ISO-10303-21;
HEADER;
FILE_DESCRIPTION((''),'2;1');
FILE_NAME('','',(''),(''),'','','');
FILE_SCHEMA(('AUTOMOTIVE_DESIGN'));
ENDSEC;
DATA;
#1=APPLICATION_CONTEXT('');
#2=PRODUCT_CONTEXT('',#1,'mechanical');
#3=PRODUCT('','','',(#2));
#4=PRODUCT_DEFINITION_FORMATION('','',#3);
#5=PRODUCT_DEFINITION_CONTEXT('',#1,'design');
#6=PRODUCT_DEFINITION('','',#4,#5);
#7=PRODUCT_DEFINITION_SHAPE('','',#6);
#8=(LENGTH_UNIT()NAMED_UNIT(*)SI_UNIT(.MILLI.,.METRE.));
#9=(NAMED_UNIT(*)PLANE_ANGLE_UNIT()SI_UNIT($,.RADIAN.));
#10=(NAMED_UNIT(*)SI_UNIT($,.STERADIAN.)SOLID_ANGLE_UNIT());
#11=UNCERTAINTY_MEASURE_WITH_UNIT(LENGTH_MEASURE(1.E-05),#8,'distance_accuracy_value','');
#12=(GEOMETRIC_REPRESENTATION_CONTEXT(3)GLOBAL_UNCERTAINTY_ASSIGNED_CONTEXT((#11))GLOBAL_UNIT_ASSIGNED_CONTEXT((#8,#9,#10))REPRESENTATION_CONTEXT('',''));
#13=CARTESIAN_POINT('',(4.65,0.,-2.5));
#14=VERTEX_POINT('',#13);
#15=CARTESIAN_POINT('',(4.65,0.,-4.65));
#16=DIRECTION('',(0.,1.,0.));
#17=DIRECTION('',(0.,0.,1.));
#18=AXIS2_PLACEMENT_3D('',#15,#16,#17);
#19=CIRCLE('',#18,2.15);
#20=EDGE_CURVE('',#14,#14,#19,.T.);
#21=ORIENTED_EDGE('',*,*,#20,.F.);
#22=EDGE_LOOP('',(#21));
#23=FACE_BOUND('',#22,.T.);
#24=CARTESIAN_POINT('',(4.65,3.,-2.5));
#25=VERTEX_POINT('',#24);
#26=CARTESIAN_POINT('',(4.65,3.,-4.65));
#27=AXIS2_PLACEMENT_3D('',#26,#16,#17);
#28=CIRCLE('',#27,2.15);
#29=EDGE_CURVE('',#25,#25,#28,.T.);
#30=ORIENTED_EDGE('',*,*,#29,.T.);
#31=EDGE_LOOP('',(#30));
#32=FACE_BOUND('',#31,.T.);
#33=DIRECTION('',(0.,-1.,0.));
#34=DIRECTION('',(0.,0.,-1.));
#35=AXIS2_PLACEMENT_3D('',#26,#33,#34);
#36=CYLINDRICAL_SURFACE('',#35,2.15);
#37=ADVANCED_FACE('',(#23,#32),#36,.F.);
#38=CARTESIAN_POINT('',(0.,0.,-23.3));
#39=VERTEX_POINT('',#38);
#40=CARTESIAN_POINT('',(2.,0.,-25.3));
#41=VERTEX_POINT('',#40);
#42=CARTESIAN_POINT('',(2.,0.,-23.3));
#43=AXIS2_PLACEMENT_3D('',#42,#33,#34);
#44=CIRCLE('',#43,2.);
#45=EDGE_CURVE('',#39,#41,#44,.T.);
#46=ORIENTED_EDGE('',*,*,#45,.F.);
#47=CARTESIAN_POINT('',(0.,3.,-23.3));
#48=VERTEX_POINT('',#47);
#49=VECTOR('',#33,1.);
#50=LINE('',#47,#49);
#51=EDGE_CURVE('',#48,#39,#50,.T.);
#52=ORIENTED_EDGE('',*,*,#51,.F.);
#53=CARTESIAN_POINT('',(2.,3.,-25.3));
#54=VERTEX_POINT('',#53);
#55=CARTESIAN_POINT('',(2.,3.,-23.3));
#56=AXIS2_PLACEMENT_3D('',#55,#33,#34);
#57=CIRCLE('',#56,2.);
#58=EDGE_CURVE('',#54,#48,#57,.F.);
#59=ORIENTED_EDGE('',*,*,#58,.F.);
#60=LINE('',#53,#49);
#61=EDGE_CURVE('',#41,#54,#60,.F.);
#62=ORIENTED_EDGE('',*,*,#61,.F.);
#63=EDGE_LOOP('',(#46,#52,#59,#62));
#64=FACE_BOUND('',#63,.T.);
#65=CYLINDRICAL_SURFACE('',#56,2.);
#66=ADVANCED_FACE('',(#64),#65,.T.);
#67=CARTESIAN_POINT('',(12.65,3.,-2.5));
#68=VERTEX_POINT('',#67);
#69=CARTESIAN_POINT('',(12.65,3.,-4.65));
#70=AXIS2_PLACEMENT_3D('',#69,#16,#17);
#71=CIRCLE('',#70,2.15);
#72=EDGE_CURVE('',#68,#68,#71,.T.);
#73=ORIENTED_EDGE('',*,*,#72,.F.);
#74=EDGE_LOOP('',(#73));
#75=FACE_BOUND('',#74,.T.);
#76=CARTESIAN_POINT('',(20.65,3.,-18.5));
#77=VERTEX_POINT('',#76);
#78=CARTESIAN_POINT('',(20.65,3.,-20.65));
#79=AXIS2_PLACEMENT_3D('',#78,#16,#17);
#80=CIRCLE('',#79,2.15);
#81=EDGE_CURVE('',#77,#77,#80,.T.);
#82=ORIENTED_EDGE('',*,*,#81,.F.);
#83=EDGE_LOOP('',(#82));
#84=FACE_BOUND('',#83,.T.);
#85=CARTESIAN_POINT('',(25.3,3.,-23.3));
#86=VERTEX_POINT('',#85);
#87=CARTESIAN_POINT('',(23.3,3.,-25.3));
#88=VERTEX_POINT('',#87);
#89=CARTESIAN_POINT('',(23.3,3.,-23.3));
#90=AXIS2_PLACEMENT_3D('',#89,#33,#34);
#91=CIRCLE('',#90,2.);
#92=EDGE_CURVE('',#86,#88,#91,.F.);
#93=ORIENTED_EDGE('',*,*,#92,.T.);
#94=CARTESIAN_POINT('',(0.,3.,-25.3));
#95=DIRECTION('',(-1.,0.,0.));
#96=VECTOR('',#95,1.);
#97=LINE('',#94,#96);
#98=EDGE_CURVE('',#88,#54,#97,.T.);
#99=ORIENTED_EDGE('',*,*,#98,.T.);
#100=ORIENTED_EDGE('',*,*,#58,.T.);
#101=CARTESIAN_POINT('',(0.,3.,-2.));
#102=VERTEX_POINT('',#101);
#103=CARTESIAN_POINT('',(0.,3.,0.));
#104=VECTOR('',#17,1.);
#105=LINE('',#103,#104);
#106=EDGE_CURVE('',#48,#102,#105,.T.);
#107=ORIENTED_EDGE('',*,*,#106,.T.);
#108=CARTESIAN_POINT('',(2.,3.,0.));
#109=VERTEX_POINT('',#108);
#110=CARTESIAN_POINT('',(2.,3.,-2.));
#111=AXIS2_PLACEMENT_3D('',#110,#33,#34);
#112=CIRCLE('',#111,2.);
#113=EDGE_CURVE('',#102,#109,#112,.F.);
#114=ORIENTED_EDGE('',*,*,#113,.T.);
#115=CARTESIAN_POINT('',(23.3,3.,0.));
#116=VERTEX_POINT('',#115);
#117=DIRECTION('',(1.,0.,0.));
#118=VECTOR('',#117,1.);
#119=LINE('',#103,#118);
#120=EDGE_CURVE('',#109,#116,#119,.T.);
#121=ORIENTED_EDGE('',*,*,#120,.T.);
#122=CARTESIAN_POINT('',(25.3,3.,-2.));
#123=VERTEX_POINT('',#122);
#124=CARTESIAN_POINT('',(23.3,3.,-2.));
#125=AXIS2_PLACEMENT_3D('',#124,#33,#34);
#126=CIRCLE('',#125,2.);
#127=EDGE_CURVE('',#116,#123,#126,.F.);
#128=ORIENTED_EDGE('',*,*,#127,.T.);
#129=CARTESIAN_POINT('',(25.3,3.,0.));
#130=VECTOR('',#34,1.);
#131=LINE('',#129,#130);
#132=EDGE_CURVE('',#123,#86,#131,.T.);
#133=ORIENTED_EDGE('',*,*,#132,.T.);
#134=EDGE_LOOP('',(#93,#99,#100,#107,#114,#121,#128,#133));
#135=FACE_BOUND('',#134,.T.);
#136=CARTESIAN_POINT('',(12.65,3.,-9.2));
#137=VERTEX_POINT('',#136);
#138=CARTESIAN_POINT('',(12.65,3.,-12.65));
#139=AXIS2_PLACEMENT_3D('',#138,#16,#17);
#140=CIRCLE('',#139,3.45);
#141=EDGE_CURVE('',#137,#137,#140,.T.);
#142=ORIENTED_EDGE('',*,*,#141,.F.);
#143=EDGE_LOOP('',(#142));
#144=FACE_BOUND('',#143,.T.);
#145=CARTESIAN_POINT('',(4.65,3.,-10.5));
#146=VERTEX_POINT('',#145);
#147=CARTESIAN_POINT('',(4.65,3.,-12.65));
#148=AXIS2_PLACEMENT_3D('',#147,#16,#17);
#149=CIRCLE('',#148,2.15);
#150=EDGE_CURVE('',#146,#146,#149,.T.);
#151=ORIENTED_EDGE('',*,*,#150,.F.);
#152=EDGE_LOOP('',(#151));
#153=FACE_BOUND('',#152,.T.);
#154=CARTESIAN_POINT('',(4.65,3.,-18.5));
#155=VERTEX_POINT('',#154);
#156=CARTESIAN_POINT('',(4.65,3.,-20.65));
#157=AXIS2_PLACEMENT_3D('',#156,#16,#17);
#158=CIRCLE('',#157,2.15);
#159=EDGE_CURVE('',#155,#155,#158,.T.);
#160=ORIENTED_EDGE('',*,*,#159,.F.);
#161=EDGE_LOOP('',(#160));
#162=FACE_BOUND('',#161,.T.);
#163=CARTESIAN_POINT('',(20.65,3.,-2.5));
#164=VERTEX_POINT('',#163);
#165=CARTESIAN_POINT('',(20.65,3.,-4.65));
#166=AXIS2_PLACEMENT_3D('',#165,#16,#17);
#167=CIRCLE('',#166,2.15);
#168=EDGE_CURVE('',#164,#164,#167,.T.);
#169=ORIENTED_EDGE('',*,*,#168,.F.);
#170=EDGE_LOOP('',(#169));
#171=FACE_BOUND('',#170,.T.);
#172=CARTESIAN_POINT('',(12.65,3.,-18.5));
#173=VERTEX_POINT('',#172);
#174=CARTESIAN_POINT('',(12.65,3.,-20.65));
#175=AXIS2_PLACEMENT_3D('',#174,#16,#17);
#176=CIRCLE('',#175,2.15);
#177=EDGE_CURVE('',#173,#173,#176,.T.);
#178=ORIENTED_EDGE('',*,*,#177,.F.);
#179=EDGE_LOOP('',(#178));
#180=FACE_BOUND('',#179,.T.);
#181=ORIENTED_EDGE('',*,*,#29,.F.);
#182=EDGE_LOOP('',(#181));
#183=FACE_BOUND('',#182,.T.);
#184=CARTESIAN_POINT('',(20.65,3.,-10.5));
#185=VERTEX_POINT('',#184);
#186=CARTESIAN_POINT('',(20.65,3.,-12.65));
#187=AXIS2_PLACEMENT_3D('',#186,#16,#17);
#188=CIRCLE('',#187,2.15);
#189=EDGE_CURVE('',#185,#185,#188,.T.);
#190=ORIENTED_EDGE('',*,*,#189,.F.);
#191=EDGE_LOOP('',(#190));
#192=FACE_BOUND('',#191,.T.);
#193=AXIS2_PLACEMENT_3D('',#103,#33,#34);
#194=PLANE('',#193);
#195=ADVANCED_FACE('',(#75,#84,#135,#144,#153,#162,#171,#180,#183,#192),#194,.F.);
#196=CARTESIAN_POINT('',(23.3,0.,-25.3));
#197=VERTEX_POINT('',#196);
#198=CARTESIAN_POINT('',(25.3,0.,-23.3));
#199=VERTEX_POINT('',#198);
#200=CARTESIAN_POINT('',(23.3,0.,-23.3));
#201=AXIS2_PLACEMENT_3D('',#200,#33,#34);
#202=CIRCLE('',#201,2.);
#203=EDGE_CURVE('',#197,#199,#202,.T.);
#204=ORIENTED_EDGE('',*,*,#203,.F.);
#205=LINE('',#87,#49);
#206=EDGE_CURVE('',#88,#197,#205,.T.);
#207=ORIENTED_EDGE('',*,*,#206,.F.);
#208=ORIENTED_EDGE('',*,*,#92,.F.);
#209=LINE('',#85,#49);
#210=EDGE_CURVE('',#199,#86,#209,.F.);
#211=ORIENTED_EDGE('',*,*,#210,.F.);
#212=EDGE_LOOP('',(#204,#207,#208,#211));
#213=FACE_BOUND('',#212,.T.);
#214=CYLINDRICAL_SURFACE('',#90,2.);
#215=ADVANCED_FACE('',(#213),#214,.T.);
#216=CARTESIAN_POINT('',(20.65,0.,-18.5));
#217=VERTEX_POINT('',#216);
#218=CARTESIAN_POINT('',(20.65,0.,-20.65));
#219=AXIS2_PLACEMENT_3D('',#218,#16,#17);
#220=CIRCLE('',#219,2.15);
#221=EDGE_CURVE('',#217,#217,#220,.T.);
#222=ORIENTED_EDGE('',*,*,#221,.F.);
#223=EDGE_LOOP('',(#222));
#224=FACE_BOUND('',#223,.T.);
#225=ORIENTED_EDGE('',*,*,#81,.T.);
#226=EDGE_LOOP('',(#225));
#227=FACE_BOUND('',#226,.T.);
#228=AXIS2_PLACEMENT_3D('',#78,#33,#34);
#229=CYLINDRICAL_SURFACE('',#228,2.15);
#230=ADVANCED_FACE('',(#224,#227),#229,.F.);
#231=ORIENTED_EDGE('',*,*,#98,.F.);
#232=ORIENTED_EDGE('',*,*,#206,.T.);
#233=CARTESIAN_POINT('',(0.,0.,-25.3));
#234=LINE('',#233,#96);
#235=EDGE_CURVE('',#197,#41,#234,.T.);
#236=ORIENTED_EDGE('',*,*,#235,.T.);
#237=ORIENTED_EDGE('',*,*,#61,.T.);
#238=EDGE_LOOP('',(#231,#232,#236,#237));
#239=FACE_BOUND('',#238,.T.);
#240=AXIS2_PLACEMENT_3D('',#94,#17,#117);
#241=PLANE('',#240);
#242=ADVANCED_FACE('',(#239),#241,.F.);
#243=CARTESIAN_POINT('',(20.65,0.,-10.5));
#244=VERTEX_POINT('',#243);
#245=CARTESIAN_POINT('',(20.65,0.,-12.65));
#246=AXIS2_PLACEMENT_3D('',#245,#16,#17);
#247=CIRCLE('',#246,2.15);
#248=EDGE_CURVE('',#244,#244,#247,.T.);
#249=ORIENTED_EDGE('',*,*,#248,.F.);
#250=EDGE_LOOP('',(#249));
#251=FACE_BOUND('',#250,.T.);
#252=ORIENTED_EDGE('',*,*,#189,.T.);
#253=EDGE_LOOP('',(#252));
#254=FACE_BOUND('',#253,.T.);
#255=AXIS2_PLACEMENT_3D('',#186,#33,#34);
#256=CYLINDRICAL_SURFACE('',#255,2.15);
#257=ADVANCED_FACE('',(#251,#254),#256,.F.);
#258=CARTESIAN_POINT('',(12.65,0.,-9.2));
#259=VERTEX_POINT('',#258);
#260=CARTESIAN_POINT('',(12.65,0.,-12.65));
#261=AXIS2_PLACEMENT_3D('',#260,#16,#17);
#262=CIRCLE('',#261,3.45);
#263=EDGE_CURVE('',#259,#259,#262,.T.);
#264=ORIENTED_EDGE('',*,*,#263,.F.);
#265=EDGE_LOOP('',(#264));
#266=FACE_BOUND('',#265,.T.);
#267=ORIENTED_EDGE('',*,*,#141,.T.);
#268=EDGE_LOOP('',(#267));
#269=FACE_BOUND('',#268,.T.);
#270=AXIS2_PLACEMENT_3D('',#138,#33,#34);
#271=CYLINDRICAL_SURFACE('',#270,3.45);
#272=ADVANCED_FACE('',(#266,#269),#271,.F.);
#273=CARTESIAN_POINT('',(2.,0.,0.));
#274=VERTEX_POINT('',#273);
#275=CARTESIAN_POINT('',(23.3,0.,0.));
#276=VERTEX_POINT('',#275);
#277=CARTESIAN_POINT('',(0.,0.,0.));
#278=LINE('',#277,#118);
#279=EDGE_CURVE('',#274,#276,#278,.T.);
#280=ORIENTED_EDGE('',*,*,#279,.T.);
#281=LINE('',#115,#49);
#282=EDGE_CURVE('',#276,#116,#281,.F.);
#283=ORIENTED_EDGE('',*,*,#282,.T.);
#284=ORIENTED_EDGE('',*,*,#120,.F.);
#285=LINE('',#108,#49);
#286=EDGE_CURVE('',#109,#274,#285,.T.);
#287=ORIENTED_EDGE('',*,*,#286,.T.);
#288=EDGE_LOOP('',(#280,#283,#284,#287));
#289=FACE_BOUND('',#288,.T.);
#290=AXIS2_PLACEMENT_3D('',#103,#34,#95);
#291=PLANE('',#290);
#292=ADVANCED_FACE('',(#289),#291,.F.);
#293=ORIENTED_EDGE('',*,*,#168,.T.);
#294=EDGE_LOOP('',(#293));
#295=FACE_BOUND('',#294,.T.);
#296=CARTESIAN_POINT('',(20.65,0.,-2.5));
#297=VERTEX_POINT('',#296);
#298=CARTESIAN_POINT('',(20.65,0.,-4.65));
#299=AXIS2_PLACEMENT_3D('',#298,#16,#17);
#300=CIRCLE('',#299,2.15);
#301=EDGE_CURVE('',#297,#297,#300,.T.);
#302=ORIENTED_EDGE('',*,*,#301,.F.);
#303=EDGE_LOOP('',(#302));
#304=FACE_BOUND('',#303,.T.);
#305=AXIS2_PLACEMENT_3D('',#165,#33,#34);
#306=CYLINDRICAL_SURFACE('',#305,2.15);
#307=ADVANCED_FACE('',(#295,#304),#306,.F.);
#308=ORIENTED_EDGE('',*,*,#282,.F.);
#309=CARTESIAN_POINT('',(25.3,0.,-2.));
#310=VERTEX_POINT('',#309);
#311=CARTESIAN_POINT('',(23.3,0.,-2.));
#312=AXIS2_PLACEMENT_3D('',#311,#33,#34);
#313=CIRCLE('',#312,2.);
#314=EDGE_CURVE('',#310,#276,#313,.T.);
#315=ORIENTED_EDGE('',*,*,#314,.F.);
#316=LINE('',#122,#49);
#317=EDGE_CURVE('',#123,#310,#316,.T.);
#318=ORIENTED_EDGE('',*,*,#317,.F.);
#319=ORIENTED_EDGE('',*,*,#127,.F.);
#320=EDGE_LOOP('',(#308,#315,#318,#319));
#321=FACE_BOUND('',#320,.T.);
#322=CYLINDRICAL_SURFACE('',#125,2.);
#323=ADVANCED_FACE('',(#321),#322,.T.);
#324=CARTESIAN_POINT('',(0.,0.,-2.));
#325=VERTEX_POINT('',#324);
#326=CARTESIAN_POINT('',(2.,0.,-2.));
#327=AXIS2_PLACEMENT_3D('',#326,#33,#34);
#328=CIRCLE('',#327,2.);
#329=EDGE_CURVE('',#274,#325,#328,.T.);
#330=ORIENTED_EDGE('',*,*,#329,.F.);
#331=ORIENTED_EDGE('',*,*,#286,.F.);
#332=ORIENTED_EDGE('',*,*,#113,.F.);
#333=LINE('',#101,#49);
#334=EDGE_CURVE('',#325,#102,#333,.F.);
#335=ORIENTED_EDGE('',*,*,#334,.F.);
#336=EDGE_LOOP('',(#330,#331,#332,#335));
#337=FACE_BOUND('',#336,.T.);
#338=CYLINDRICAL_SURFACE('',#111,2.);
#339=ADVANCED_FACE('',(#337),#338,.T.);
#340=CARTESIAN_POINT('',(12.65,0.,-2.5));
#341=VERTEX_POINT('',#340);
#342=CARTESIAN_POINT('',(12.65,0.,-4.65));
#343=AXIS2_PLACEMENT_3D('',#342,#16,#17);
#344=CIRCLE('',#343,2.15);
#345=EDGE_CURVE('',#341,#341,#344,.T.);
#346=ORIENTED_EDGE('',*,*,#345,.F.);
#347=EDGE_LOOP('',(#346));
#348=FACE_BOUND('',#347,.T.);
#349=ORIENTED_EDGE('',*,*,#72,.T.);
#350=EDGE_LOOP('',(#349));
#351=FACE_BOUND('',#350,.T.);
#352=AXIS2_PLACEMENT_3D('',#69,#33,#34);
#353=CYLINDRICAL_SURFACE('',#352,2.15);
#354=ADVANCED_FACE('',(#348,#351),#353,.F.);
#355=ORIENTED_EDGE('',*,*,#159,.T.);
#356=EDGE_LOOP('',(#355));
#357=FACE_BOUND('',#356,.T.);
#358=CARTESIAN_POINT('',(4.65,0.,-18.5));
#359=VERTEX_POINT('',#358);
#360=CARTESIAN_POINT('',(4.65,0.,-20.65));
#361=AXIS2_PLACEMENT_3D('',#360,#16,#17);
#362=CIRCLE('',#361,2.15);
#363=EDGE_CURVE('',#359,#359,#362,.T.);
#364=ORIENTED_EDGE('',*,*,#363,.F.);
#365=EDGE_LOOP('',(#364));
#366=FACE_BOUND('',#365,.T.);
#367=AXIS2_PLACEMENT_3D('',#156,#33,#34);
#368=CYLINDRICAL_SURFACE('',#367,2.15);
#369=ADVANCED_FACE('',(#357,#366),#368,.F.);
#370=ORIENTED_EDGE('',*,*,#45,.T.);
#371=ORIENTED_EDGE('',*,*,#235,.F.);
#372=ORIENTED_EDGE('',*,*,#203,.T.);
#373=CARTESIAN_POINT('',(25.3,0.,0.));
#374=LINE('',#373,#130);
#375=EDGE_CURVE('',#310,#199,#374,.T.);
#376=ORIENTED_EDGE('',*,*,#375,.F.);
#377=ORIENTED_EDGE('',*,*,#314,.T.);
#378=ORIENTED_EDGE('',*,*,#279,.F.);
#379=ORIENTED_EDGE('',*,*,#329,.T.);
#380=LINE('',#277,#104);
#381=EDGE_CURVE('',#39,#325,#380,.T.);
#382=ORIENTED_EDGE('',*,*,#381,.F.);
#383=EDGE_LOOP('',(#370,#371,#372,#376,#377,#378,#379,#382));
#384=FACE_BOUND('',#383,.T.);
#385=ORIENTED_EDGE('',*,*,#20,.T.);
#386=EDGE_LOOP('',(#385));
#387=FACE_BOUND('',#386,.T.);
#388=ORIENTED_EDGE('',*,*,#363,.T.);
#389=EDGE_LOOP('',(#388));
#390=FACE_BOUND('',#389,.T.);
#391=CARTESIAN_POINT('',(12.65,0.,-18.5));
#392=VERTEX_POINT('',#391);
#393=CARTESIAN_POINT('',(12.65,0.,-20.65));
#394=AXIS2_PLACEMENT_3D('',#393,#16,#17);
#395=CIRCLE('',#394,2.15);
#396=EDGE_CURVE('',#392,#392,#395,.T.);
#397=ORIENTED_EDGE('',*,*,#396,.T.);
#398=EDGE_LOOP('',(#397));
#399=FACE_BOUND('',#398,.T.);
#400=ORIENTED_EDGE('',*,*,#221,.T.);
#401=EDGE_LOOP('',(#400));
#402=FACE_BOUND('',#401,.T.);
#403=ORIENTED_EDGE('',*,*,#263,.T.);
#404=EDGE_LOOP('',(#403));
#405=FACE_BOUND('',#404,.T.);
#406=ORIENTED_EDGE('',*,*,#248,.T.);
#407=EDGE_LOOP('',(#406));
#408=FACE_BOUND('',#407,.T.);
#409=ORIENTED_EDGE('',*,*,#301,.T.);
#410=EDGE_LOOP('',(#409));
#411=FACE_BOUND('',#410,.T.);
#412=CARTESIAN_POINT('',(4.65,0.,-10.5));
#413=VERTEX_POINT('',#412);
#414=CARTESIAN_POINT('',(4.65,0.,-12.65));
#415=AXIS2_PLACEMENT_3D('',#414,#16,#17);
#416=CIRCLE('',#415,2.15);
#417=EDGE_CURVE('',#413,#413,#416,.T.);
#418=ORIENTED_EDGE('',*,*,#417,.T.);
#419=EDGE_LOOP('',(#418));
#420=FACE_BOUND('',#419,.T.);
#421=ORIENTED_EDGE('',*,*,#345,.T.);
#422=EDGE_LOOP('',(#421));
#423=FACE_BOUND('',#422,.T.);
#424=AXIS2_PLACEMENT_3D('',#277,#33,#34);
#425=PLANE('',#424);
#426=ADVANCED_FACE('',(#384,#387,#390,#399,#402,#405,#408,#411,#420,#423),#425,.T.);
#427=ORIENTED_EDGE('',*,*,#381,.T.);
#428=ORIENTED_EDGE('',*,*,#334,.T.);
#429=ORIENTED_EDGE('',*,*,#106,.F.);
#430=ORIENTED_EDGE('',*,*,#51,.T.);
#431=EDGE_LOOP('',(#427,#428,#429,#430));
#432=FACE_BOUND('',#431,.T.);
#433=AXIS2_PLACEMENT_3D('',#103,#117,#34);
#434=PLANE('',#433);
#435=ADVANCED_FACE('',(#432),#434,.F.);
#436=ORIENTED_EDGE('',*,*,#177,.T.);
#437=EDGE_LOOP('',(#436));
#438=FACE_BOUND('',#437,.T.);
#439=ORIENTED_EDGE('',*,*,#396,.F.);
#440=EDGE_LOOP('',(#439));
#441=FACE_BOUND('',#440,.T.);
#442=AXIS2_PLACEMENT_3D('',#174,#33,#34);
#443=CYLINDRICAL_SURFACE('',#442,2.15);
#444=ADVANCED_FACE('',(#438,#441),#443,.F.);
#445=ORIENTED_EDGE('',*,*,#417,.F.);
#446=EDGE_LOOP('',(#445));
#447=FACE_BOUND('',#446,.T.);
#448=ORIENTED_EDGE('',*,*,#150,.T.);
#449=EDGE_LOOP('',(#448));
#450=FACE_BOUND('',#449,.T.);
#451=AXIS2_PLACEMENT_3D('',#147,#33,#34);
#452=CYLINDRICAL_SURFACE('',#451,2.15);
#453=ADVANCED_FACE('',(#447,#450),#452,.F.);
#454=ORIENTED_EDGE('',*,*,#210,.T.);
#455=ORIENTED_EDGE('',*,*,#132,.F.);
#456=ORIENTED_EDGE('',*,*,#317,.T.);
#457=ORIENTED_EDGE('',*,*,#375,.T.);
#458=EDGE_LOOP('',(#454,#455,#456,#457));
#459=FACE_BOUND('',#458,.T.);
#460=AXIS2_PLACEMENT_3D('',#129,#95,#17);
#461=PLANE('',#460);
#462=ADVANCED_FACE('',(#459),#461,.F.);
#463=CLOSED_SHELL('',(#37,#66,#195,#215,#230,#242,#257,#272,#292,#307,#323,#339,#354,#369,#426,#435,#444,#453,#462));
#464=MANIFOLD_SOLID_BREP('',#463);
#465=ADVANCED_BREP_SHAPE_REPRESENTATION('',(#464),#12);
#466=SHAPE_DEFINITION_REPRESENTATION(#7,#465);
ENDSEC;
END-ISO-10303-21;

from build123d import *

# Parameters (mm, degrees)
SKETCH1_W           = 25.3
SKETCH1_H           = 25.3
SKETCH1_R           = 2.15
SKETCH1_R_2         = 3.45
BOSS_EXTRUDE1_DEPTH = 3
FILLET1_R           = 2


with BuildPart() as part:
    # Sketch1 → Boss-Extrude1 (new body)
    with BuildSketch(Plane(origin=(0, 0, 0), x_dir=(1, 0, 0), z_dir=(0, 1, 0))):
        with Locations((12.65, 12.65)):
            Rectangle(SKETCH1_W, SKETCH1_H)
        with Locations((4.65, 4.65)):
            Circle(SKETCH1_R, mode=Mode.SUBTRACT)
        with Locations((12.65, 4.65)):
            Circle(SKETCH1_R, mode=Mode.SUBTRACT)
        with Locations((20.65, 4.65)):
            Circle(SKETCH1_R, mode=Mode.SUBTRACT)
        with Locations((4.65, 12.65)):
            Circle(SKETCH1_R, mode=Mode.SUBTRACT)
        with Locations((4.65, 20.65)):
            Circle(SKETCH1_R, mode=Mode.SUBTRACT)
        with Locations((20.65, 12.65)):
            Circle(SKETCH1_R, mode=Mode.SUBTRACT)
        with Locations((20.65, 20.65)):
            Circle(SKETCH1_R, mode=Mode.SUBTRACT)
        with Locations((12.65, 20.65)):
            Circle(SKETCH1_R, mode=Mode.SUBTRACT)
        with Locations((12.65, 12.65)):
            Circle(SKETCH1_R_2, mode=Mode.SUBTRACT)
    extrude(amount=BOSS_EXTRUDE1_DEPTH)

    # Fillet1
    fillet1_edges = [part.edges().sort_by_distance(p)[0] for p in [
        (0, 1.5, -25.3),
        (25.3, 1.5, -25.3),
        (25.3, 1.5, 0),
        (0, 1.5, 0),
    ]]
    fillet(fillet1_edges, radius=FILLET1_R)


solid = part.part
